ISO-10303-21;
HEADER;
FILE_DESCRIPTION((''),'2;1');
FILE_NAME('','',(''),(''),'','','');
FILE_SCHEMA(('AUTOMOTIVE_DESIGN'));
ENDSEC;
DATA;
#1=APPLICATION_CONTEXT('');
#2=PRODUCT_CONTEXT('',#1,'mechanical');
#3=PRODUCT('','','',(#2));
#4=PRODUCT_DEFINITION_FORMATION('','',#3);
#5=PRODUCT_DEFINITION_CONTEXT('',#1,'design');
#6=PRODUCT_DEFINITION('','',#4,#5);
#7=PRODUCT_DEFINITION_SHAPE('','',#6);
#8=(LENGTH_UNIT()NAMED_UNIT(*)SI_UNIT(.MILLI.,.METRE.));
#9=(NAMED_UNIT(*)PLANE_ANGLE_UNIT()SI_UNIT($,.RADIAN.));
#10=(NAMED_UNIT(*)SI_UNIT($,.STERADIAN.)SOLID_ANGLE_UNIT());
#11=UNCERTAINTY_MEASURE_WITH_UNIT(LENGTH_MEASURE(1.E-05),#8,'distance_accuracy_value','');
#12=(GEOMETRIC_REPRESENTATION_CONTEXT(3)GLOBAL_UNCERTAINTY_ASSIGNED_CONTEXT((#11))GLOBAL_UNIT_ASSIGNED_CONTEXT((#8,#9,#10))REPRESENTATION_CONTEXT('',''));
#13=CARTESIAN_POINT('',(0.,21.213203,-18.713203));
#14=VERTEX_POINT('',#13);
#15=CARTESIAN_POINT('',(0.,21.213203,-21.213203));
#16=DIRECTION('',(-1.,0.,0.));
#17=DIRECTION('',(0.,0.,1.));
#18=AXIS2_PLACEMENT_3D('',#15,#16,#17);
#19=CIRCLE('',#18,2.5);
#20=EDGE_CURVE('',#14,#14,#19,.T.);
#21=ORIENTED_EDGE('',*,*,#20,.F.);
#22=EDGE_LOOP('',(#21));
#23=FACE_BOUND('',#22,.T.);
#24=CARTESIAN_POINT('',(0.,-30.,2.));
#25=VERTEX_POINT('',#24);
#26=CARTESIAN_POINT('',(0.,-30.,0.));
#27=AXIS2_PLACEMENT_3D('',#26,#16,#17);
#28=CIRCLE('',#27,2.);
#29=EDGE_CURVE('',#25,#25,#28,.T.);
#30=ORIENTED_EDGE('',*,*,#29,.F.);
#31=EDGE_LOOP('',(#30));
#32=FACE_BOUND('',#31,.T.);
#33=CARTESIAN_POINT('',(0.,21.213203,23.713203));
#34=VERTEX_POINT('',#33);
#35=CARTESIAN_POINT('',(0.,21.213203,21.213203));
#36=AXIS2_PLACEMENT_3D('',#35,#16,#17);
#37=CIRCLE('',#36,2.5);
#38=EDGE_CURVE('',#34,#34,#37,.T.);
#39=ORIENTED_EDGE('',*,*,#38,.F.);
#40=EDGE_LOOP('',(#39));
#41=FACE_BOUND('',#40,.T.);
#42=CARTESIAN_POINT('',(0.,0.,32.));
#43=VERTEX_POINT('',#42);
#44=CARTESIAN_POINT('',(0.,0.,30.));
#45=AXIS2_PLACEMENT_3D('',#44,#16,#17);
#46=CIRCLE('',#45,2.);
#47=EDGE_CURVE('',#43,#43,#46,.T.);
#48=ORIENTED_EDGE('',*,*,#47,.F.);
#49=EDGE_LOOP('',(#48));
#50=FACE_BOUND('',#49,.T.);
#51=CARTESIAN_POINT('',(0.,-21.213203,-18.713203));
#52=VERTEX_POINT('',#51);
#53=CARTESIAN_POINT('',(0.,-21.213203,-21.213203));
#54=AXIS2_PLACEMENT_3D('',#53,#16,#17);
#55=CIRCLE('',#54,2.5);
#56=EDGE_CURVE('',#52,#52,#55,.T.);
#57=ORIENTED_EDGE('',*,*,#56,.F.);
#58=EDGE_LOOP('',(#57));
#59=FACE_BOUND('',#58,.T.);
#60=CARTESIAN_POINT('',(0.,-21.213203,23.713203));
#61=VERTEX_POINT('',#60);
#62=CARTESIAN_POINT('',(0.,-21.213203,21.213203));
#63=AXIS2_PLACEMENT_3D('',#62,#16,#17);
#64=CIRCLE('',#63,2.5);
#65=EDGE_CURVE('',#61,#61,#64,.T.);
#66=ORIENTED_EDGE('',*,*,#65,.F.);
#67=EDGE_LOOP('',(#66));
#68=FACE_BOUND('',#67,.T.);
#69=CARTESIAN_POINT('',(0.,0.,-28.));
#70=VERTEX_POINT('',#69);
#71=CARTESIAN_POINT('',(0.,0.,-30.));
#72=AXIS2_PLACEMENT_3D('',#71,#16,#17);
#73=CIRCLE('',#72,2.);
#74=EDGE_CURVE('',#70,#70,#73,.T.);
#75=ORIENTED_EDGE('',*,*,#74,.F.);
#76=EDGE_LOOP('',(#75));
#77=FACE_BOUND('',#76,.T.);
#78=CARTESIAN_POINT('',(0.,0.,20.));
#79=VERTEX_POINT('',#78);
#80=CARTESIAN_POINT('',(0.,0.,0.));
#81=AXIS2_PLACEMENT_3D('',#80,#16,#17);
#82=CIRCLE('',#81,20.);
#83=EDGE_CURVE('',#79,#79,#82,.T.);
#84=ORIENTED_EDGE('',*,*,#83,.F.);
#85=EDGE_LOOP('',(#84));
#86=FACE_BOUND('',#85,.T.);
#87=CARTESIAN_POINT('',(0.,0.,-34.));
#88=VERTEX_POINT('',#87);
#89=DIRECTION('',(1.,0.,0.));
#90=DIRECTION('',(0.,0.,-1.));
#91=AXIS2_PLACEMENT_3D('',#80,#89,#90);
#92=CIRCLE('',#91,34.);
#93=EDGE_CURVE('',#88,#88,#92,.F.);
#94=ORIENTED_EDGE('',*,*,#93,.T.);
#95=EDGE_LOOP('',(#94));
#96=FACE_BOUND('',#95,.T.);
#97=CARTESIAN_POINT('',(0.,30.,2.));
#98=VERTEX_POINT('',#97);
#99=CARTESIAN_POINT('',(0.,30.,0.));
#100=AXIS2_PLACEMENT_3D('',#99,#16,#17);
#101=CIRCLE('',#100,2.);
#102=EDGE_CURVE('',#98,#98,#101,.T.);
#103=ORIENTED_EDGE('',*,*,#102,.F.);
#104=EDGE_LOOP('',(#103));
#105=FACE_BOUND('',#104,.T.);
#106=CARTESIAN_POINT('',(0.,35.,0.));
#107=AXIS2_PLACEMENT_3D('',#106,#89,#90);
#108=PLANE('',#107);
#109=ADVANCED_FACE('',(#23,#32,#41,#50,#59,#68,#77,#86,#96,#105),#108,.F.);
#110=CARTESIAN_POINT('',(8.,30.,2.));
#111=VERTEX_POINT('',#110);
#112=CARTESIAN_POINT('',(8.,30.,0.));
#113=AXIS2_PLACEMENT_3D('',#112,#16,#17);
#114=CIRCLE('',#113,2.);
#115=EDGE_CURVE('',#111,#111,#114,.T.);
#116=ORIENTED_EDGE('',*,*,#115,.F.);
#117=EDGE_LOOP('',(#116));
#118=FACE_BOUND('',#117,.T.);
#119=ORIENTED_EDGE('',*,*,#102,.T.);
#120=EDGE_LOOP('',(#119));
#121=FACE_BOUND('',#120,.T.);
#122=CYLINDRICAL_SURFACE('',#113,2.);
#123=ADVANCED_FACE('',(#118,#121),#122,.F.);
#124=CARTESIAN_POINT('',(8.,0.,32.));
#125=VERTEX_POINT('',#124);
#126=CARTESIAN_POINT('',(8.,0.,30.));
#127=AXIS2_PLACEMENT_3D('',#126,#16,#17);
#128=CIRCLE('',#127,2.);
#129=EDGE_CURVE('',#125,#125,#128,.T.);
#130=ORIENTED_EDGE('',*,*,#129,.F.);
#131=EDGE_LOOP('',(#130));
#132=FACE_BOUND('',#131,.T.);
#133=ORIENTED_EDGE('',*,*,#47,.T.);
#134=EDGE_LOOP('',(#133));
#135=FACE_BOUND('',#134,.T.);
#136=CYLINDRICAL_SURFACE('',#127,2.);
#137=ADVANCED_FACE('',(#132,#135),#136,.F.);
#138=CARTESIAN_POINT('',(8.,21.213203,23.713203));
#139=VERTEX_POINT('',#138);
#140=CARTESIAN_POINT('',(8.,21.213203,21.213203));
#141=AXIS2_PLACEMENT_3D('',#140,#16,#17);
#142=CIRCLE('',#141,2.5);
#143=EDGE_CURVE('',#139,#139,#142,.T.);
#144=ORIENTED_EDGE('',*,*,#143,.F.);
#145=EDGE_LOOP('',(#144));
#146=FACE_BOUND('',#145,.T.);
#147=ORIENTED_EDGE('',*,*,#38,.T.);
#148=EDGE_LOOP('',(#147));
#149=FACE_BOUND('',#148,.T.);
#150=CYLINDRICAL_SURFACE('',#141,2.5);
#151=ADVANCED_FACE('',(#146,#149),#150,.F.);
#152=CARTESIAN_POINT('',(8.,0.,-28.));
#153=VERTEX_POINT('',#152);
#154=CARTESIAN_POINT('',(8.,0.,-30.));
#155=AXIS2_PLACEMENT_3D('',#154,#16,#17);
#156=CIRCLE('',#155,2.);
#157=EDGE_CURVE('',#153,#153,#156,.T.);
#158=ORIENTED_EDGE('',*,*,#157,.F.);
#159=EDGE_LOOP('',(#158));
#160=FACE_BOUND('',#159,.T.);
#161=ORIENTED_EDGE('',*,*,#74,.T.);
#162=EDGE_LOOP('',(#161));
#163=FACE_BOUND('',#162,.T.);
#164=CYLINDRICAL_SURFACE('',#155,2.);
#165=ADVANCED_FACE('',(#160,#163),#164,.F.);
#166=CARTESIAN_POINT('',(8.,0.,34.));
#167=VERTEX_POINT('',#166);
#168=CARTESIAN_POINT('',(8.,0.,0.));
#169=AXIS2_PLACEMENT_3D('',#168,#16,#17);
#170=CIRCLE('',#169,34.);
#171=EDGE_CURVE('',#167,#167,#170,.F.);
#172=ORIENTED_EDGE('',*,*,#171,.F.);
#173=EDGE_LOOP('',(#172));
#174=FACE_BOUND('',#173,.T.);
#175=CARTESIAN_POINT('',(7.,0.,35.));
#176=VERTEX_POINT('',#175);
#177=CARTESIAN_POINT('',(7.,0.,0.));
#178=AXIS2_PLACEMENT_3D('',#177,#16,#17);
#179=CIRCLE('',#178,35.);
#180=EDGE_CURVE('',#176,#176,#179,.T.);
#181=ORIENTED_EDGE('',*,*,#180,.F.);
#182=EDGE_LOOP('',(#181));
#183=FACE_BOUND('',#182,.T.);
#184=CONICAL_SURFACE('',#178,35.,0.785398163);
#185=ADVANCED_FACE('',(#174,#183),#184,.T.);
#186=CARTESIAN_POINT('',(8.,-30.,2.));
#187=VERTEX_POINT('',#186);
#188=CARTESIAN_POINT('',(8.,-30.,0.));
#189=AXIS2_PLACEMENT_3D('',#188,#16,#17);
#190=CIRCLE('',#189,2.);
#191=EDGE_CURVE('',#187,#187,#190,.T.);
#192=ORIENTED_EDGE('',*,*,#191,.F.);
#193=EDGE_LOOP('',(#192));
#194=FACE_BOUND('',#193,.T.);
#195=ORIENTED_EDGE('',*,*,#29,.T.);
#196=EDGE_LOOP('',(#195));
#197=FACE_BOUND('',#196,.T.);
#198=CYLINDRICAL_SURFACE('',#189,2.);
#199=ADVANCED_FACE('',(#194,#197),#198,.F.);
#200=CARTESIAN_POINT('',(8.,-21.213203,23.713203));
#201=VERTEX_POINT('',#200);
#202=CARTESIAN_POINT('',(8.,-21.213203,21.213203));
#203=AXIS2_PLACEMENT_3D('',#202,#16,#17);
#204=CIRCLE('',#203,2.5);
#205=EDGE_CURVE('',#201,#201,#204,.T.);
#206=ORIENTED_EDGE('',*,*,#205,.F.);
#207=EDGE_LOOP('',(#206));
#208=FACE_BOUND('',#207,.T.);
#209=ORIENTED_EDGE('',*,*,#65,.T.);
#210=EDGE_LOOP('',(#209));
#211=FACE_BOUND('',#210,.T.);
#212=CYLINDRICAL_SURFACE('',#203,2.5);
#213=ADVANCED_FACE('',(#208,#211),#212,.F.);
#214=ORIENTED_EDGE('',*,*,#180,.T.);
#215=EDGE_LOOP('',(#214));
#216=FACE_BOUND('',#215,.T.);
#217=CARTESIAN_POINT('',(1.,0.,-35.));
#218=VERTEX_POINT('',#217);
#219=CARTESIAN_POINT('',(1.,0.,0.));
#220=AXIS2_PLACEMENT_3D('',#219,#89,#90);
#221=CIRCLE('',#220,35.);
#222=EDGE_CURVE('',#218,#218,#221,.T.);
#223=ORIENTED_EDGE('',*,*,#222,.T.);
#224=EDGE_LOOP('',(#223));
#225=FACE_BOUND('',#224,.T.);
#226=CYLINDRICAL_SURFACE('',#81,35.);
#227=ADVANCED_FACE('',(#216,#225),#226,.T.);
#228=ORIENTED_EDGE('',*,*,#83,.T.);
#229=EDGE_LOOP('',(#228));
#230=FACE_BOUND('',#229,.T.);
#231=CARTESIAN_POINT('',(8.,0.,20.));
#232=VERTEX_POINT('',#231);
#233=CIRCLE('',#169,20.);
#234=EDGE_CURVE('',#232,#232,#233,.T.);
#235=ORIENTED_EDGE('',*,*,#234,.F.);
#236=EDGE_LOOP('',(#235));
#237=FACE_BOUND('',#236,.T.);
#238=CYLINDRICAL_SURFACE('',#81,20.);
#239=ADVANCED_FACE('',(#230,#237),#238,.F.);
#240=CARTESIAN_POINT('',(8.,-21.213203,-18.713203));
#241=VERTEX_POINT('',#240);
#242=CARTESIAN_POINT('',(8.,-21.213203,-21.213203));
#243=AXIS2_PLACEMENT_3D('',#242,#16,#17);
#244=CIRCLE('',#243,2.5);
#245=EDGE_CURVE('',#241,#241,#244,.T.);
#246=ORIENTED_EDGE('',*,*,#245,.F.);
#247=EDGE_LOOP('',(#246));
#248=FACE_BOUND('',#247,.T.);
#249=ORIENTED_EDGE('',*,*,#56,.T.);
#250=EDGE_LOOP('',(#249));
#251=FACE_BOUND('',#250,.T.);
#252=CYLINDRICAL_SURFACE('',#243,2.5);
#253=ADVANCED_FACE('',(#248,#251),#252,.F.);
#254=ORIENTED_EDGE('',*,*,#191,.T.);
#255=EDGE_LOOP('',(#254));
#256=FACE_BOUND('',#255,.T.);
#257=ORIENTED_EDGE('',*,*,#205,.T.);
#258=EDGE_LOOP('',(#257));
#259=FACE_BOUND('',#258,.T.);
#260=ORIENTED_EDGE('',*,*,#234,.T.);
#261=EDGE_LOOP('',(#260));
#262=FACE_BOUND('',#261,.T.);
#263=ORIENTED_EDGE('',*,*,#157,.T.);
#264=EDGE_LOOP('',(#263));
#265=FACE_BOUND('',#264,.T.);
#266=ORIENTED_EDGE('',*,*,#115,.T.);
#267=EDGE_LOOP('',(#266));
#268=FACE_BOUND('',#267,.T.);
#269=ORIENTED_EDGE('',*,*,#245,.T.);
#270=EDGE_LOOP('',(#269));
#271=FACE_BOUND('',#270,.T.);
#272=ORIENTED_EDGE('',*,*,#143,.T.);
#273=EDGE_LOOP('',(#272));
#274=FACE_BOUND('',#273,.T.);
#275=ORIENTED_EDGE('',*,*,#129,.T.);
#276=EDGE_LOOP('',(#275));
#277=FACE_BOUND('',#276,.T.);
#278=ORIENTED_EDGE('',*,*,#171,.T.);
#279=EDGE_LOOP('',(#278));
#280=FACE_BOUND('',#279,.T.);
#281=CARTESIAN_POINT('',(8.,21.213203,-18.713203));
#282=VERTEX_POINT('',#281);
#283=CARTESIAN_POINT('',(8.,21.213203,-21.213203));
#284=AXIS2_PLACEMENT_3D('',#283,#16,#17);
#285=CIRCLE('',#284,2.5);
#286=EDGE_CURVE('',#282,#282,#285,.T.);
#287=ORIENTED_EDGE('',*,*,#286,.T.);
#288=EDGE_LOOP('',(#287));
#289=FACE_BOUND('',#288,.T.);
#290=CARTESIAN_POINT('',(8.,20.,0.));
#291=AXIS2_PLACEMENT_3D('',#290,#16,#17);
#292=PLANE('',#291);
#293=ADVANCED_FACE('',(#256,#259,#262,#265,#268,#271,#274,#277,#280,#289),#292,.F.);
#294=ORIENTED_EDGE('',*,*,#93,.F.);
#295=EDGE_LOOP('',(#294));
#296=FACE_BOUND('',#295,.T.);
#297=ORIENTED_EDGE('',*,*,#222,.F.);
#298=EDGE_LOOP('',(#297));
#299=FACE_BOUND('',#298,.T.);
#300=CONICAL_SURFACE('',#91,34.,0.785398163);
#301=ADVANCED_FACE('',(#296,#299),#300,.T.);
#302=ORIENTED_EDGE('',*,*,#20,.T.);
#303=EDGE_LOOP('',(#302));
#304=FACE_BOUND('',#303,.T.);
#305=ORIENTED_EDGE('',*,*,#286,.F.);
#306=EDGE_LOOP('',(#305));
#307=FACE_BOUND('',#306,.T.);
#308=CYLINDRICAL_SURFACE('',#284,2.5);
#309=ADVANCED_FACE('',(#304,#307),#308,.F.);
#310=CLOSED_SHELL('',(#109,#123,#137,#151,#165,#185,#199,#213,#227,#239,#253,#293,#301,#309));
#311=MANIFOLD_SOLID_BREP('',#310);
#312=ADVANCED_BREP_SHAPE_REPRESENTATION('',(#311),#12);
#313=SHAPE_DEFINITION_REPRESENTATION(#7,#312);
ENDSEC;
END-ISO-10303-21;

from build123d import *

# Parameters (mm, degrees)
ESQUISSE1_W             = 8
ESQUISSE1_H             = 15
CHANFREIN1_SIZE         = 1
ESQUISSE3_R             = 2
ESQUISSE3_R_2           = 2.5
ENL_V_MAT_EXTRU_2_DEPTH = 51.139804547


with BuildPart() as part:
    # Esquisse1 → Base-Révolution (revolve)
    with BuildSketch(Plane.XY, mode=Mode.PRIVATE) as base_r_volution_sk:
        with Locations((4, 27.5)):
            Rectangle(ESQUISSE1_W, ESQUISSE1_H)
    revolve(base_r_volution_sk.sketch.rotate(Axis((0, 0, 0), (1, 0, 0)), 90), axis=Axis((0, 0, 0), (1, 0, 0)))

    # Chanfrein1
    chanfrein1_edges = [part.edges().sort_by_distance(p)[0] for p in [
        (0, 0, -35),
        (8, 0, -35),
    ]]
    chamfer(chanfrein1_edges, length=CHANFREIN1_SIZE)

    # Esquisse3 → Enlèv. mat.-Extru.2 (cut, through all)
    with BuildSketch(Plane.ZY):
        with Locations((0, 30)):
            Circle(ESQUISSE3_R)
        with Locations((21.213203436, 21.213203436)):
            Circle(ESQUISSE3_R_2)
        with Locations((30, 0)):
            Circle(ESQUISSE3_R)
        with Locations((21.213203436, -21.213203436)):
            Circle(ESQUISSE3_R_2)
        with Locations((0, -30)):
            Circle(ESQUISSE3_R)
        with Locations((-21.213203436, -21.213203436)):
            Circle(ESQUISSE3_R_2)
        with Locations((-30, 0)):
            Circle(ESQUISSE3_R)
        with Locations((-21.213203436, 21.213203436)):
            Circle(ESQUISSE3_R_2)
    extrude(amount=-ENL_V_MAT_EXTRU_2_DEPTH, mode=Mode.SUBTRACT)


solid = part.part
